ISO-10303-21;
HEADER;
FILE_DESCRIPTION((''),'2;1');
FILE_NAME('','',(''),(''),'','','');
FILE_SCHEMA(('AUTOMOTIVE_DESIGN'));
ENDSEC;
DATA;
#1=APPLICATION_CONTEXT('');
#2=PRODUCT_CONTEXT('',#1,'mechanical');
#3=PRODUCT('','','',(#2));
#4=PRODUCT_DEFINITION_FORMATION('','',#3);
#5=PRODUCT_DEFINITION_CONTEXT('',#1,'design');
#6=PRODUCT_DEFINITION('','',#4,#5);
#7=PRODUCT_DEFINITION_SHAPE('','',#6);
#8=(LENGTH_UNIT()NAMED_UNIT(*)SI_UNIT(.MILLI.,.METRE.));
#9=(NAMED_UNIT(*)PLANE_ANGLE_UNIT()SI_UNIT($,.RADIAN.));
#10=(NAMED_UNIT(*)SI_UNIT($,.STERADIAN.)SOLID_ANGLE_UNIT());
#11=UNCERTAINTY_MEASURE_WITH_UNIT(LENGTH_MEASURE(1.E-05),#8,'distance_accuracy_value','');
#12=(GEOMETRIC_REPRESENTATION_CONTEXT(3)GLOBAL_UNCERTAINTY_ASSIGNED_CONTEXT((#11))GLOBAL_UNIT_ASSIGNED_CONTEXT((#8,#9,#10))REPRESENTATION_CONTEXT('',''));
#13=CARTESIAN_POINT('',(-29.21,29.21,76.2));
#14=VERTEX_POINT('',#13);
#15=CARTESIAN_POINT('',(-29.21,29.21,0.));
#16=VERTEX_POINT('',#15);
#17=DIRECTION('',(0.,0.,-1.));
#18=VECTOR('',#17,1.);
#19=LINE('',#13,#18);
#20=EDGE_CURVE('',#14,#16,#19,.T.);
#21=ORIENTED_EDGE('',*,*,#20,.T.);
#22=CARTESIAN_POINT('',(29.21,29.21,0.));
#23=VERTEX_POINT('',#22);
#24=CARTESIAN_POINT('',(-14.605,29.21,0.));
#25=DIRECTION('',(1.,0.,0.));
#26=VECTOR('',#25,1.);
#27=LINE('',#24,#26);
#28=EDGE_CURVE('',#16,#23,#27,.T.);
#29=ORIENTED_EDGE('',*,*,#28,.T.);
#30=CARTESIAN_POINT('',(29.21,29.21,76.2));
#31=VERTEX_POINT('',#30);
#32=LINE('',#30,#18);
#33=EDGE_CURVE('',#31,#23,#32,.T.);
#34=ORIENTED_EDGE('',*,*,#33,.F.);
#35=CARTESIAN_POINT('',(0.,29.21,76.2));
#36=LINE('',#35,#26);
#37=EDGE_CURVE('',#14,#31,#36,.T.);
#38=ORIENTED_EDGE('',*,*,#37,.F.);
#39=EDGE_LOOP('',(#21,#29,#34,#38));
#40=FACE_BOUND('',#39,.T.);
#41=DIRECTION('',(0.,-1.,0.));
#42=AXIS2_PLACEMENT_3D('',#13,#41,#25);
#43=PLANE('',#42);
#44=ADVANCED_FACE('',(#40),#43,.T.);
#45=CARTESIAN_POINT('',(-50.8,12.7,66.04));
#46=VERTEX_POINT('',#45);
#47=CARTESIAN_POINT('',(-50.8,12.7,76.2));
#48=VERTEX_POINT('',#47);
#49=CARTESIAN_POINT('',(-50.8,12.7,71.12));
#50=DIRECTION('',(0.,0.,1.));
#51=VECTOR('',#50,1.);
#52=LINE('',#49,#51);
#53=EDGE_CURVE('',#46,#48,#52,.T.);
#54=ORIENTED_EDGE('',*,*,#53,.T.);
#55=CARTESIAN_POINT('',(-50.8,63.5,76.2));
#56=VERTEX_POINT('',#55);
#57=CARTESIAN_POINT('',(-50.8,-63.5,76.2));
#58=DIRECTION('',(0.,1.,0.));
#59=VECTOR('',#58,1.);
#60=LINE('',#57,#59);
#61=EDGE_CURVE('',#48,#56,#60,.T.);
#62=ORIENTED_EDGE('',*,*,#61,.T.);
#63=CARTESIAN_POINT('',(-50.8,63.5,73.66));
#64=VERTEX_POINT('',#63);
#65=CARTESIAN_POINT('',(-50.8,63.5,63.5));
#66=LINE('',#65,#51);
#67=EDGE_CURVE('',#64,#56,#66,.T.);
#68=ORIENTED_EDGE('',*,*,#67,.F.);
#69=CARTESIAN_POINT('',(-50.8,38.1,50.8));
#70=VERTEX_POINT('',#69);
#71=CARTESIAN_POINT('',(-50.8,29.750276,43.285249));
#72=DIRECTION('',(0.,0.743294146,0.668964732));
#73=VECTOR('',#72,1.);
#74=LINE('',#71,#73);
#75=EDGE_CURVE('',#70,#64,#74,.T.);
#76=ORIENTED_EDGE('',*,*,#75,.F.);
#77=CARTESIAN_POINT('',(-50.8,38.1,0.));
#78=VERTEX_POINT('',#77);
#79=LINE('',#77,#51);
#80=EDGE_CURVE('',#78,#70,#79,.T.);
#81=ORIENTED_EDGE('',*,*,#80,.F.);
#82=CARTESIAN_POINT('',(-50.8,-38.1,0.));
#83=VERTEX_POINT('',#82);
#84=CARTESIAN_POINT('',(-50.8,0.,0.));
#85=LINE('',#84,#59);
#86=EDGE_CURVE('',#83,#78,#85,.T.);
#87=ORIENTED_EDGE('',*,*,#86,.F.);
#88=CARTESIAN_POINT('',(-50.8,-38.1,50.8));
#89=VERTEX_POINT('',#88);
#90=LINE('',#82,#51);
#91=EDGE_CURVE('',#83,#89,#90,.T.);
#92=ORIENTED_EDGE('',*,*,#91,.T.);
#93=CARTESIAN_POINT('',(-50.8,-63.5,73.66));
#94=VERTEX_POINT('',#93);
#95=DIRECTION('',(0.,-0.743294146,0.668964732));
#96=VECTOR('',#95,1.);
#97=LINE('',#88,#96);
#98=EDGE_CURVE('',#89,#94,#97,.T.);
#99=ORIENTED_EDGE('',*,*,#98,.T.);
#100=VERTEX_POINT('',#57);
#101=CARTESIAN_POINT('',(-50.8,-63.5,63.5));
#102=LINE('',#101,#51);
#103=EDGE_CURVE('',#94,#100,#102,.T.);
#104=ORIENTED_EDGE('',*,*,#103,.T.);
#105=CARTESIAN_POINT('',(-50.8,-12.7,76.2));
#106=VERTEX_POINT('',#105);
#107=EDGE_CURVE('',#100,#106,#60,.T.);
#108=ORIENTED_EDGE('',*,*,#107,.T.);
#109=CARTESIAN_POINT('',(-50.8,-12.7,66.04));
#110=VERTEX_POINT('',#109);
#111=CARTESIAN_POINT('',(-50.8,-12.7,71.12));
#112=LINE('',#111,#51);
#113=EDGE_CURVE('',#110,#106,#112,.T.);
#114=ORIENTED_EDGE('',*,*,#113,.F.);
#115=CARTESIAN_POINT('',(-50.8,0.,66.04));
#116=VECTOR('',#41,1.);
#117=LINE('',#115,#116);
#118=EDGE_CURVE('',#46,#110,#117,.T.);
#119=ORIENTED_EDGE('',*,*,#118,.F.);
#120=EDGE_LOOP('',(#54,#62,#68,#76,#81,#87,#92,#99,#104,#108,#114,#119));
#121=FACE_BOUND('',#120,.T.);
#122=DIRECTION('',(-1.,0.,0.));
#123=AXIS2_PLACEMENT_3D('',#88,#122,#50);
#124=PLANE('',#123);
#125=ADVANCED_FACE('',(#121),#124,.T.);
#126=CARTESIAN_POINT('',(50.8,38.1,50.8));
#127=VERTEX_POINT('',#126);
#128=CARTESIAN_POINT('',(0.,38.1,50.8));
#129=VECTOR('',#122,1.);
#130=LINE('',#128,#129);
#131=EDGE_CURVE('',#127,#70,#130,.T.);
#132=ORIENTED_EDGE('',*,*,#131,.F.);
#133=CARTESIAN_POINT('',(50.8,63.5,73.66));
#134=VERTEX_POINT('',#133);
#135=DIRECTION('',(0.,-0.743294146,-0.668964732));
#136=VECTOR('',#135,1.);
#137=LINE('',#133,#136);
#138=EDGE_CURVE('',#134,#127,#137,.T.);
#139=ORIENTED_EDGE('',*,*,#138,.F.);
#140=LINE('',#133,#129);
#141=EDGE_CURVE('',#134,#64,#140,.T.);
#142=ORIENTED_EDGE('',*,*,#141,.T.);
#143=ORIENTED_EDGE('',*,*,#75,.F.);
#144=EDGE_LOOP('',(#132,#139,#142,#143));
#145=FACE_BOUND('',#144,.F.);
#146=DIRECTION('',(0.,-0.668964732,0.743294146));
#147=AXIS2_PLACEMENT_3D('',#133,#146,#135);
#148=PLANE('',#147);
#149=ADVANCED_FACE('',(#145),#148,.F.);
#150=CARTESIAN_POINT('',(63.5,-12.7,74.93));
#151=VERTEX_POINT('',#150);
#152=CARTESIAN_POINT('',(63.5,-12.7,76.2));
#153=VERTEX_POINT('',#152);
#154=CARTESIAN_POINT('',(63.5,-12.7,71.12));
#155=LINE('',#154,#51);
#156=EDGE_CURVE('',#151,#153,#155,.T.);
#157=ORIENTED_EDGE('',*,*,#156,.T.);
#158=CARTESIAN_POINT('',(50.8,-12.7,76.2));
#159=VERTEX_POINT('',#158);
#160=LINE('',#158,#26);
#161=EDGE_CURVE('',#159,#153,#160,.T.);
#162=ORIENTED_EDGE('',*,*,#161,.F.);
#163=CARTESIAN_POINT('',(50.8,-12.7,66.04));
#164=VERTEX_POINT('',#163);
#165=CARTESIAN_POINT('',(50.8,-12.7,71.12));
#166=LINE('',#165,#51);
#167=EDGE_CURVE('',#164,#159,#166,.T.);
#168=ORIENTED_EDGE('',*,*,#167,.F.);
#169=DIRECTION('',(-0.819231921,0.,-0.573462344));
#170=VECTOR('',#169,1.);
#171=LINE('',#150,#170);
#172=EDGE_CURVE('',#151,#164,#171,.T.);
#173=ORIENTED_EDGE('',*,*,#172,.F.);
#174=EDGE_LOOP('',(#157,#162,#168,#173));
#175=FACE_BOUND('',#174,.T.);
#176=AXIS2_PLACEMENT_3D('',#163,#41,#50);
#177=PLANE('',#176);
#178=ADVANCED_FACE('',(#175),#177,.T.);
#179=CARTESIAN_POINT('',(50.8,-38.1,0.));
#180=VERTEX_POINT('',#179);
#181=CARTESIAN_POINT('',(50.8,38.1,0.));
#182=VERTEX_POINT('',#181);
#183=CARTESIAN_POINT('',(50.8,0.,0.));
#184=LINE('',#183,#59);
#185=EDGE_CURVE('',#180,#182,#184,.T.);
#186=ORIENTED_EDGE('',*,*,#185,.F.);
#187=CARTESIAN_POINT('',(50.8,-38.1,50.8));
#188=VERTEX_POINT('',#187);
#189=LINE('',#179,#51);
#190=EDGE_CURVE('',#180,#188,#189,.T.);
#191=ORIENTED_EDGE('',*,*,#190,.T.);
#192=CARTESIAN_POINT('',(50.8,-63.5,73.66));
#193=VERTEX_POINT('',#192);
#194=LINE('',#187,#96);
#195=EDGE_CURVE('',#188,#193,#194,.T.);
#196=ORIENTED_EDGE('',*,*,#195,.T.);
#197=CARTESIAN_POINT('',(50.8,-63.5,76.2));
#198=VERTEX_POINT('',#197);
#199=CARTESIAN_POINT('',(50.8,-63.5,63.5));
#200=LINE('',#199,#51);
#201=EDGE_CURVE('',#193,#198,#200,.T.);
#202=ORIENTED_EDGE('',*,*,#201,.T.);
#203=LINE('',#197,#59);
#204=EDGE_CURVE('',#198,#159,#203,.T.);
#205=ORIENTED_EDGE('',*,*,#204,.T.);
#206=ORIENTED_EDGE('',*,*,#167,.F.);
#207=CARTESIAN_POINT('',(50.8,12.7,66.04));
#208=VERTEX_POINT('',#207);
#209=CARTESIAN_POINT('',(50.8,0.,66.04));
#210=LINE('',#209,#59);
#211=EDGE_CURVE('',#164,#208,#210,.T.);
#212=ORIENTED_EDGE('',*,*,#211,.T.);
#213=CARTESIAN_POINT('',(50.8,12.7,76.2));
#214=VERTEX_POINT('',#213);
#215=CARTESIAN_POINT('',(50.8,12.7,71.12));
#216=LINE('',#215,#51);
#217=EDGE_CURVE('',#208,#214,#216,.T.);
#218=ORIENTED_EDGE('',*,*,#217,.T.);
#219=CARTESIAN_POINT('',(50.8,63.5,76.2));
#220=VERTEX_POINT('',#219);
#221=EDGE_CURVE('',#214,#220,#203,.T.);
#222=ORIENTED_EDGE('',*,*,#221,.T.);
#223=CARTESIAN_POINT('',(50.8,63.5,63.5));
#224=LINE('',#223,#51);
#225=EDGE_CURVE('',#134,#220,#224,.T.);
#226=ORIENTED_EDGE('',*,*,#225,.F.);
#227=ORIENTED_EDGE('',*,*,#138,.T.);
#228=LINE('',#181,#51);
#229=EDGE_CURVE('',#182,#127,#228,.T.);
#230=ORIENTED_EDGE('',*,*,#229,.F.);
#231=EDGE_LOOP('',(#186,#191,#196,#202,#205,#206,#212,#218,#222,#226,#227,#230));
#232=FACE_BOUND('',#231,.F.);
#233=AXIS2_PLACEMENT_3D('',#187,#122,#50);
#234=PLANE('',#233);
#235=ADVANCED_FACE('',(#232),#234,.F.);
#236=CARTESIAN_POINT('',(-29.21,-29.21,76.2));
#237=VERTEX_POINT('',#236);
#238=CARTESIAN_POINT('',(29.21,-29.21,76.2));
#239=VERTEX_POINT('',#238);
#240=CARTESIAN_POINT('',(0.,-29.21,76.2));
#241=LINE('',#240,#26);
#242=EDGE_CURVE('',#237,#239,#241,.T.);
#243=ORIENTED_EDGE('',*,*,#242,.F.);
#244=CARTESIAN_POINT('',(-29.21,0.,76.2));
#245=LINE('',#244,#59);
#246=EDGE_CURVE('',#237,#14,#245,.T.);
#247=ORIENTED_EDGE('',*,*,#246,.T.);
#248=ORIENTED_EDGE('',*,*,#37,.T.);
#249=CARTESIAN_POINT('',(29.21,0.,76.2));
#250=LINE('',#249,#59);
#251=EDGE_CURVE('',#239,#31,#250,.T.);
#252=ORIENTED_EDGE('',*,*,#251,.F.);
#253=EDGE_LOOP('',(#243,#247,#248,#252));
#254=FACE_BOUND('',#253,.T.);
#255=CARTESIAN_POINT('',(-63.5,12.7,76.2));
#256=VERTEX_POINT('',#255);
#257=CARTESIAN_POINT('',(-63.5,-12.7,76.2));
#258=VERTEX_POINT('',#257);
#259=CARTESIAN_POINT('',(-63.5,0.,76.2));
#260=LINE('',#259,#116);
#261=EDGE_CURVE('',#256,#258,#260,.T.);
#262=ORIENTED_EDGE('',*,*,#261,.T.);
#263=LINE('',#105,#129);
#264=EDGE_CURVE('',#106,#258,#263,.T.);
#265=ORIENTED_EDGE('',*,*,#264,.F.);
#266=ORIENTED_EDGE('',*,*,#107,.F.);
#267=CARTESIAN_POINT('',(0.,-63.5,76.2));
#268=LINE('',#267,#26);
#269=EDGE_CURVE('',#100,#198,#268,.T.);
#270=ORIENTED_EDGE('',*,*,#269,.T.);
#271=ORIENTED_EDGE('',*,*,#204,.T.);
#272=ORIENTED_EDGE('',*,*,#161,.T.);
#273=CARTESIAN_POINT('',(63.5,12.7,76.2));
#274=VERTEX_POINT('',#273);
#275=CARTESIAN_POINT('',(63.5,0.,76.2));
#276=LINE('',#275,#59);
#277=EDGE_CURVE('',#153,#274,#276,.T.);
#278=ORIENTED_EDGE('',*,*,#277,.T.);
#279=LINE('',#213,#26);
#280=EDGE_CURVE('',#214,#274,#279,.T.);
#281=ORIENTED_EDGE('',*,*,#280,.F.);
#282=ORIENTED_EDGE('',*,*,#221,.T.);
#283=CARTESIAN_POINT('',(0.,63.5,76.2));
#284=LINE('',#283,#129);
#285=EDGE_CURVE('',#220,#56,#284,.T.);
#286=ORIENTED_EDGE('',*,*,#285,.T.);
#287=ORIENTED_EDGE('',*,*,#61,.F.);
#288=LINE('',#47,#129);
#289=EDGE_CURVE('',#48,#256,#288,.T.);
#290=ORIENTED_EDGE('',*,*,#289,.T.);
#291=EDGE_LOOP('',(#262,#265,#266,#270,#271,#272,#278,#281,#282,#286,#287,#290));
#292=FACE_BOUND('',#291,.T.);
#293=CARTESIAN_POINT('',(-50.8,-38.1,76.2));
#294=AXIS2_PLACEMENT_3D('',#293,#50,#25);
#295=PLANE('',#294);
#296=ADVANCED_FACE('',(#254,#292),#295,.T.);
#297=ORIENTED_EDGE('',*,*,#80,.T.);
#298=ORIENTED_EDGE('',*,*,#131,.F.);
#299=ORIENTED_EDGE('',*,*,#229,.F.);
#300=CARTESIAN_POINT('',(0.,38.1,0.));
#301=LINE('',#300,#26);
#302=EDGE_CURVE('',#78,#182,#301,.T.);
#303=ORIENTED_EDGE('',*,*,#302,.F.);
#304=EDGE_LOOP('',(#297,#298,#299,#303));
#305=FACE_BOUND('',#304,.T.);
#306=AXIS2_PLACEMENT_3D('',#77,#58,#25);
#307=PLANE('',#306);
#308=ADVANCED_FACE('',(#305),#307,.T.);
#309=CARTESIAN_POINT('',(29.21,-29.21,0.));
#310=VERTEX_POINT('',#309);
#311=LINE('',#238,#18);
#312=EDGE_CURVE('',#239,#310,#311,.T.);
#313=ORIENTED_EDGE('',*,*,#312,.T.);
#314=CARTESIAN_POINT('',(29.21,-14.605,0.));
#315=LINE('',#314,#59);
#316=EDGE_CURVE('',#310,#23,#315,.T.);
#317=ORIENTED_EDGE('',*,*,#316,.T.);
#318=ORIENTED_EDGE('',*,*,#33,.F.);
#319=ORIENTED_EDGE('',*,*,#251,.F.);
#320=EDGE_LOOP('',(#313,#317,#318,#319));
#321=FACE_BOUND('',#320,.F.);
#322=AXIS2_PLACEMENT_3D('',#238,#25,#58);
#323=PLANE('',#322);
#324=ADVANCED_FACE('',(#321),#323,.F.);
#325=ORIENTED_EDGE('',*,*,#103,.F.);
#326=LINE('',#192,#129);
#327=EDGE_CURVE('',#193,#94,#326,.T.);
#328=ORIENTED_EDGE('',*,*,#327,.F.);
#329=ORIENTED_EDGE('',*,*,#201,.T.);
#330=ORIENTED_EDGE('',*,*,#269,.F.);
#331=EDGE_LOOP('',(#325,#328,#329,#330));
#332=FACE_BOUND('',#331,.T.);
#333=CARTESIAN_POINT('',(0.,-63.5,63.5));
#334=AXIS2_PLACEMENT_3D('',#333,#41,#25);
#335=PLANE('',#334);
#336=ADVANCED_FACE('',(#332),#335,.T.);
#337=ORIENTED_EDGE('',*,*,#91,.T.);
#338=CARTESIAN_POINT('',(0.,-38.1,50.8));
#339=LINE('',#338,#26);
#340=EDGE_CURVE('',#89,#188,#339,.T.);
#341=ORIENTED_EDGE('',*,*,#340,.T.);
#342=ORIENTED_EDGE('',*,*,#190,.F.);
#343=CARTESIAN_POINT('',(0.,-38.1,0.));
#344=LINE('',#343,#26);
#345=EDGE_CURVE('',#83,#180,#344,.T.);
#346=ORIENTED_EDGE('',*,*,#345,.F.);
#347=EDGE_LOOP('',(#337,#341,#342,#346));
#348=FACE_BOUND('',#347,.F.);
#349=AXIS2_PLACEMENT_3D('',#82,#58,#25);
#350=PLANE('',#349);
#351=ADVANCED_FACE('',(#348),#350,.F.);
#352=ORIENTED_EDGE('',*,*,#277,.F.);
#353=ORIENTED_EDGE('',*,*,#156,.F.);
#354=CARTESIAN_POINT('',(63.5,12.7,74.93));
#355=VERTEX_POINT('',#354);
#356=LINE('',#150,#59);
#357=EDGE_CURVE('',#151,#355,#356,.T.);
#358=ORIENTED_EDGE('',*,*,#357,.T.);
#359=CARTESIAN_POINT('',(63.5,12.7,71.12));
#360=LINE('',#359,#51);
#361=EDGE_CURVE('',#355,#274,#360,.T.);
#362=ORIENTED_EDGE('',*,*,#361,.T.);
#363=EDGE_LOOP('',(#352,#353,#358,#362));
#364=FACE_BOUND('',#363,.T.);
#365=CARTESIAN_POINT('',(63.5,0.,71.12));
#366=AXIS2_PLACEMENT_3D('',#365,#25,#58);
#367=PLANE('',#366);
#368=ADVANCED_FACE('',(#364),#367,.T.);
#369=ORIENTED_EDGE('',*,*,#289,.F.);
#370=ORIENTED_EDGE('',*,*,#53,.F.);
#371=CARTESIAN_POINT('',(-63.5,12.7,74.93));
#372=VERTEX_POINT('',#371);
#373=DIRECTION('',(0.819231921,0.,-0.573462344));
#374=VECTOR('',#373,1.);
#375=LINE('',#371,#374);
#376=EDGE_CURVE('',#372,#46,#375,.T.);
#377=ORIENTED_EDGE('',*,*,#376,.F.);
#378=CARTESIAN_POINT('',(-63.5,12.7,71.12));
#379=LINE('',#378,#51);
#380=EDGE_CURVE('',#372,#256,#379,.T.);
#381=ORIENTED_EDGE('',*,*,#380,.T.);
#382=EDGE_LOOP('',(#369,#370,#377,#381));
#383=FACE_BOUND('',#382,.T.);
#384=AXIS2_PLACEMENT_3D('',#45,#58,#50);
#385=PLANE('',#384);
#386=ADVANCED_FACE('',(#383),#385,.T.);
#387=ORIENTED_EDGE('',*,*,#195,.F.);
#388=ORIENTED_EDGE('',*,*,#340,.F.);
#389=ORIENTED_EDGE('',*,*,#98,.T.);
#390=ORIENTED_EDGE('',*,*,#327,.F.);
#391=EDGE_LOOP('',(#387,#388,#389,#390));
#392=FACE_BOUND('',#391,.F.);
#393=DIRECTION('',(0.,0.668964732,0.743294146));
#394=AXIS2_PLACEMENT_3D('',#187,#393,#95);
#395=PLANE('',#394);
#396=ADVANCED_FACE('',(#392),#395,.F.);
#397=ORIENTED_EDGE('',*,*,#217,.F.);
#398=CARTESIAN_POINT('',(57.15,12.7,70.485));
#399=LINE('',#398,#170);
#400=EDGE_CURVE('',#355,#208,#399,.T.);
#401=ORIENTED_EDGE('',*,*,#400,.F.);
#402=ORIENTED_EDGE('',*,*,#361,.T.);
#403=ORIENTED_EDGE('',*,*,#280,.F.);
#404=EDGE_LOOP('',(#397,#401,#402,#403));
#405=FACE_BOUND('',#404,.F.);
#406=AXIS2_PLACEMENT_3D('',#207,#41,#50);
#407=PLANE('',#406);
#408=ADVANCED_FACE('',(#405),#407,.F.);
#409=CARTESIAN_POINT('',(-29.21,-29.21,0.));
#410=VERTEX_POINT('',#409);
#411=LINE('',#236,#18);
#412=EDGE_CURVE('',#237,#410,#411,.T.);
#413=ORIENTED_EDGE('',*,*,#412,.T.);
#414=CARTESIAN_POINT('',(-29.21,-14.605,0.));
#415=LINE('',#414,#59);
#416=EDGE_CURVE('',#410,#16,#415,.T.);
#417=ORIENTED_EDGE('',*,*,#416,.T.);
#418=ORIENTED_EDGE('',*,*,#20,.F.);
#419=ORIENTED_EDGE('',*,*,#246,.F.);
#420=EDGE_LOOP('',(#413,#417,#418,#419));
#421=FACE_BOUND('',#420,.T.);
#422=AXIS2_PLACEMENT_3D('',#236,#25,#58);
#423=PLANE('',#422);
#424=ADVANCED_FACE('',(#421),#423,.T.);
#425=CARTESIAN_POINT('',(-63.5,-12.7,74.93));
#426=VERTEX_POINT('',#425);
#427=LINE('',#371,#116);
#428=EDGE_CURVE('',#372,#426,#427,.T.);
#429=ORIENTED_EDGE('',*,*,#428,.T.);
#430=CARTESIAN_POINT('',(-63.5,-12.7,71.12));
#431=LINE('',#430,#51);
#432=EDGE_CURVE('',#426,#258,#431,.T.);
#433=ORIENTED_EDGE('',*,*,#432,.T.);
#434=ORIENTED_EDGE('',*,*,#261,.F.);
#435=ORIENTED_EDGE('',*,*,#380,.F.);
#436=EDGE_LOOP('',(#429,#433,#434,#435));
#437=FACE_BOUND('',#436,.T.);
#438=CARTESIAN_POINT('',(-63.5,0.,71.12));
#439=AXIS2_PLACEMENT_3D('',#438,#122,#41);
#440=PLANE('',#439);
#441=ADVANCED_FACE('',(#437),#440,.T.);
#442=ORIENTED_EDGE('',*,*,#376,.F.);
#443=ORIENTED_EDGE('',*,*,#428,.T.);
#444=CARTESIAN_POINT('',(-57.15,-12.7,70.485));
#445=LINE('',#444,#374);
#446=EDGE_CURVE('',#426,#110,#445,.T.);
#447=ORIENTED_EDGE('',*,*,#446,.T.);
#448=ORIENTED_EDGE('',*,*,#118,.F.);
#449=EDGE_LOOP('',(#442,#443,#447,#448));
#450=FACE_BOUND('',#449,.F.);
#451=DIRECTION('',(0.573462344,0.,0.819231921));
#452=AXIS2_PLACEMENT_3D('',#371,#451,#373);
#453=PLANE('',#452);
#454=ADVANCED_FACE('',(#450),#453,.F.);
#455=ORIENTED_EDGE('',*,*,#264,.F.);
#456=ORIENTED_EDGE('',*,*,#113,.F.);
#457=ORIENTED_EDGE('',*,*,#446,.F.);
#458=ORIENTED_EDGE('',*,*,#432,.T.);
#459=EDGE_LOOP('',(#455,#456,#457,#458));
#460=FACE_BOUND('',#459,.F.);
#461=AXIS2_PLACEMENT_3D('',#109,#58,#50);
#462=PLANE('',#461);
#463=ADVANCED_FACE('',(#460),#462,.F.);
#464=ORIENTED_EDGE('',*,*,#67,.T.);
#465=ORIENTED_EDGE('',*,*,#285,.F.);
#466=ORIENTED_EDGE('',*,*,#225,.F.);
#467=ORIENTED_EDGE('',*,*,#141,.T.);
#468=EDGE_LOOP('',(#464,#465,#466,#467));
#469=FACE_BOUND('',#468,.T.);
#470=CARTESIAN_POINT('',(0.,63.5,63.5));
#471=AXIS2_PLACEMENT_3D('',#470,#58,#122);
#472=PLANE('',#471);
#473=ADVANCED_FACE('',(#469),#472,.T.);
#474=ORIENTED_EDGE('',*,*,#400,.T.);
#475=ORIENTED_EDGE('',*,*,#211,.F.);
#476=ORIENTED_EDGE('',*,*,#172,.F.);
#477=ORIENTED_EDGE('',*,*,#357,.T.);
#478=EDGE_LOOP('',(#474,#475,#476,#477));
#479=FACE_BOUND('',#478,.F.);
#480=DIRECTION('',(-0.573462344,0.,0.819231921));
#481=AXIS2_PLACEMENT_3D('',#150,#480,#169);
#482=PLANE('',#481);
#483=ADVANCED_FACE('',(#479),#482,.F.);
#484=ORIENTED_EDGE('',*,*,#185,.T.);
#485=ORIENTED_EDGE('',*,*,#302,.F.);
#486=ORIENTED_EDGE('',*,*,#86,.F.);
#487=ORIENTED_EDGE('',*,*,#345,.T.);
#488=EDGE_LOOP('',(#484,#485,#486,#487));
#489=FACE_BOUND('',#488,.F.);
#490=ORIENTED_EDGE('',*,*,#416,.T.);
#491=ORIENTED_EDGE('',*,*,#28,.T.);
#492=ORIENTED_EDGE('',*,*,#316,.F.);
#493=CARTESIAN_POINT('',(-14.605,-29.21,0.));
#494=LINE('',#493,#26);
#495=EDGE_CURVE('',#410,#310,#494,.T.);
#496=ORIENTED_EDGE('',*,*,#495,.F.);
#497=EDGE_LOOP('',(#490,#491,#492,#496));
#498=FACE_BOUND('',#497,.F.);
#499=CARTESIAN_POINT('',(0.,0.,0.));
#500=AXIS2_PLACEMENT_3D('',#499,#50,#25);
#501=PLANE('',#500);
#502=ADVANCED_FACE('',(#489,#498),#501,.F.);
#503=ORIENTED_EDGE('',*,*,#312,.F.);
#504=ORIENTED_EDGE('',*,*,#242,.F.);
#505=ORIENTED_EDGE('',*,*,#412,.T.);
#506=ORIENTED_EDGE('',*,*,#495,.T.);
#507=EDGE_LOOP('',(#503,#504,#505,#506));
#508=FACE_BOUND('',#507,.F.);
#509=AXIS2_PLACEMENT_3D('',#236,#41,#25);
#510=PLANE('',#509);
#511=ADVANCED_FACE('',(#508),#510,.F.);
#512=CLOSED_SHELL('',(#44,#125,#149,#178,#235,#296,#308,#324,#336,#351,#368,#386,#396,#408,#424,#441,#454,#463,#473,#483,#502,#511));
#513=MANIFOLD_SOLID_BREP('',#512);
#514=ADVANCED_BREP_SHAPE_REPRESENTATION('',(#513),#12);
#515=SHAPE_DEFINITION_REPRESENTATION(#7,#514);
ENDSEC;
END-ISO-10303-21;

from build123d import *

# Parameters (mm, degrees)
F0_W      = 101.6
F0_H      = 76.2
F1_DEPTH  = 76.2
F2_W      = 58.42
F2_H      = 58.42
F3_DEPTH  = 228.6
F4_W      = 101.6
F4_H      = 25.4
F5_DEPTH  = 25.4
F6_W      = 101.6
F6_H      = 25.4
F7_DEPTH  = 25.4
F9_DEPTH  = 228.6
F10_W     = 25.4
F10_H     = 10.16
F11_DEPTH = 12.7
F13_DEPTH = 228.6
F14_W     = 25.4
F14_H     = 10.16
F15_DEPTH = 12.7
F17_DEPTH = 228.6


with BuildPart() as f1:
    # F0 (on Top) → F1 (new body)
    with BuildSketch(Plane.XY):
        Rectangle(F0_W, F0_H)
    extrude(amount=F1_DEPTH)

    # F2 (on face) → F3 (cut)
    with BuildSketch(Plane.XY.offset(76.2)):
        Rectangle(F2_W, F2_H)
    extrude(amount=-F3_DEPTH, mode=Mode.SUBTRACT)

    # F4 (on face) → F5 (join)
    with BuildSketch(Plane(origin=(0, 38.1, 0), x_dir=(-1, 0, 0), z_dir=(0, 1, 0))):
        with Locations((0, 63.5)):
            Rectangle(F4_W, F4_H)
    extrude(amount=F5_DEPTH)

    # F6 (on face) → F7 (join)
    with BuildSketch(Plane.XZ.offset(38.1)):
        with Locations((0, 63.5)):
            Rectangle(F6_W, F6_H)
    extrude(amount=F7_DEPTH)

    # F8 (on face) → F9 (cut)
    with BuildSketch(Plane.YZ.offset(50.8)):
        Polygon((-38.1, 50.8), (-63.5, 73.66), (-63.5, 50.8), align=None)
        Polygon((63.5, 50.8), (63.5, 73.66), (38.1, 50.8), align=None)
    extrude(amount=-F9_DEPTH, mode=Mode.SUBTRACT)

    # F10 (on face) → F11 (join)
    with BuildSketch(Plane.YZ.offset(50.8)):
        with Locations((0, 71.12)):
            Rectangle(F10_W, F10_H)
    extrude(amount=F11_DEPTH)

    # F12 (on face) → F13 (cut)
    with BuildSketch(Plane.XZ.offset(12.7)):
        Polygon((63.5, 66.04), (63.5, 74.93), (50.8, 66.04), align=None)
    extrude(amount=-F13_DEPTH, mode=Mode.SUBTRACT)

    # F14 (on face) → F15 (join)
    with BuildSketch(Plane(origin=(-50.8, 0, 0), x_dir=(0, -1, 0), z_dir=(-1, 0, 0))):
        with Locations((0, 71.12)):
            Rectangle(F14_W, F14_H)
    extrude(amount=F15_DEPTH)

    # F16 (on face) → F17 (cut)
    with BuildSketch(Plane(origin=(0, 12.7, 0), x_dir=(-1, 0, 0), z_dir=(0, 1, 0))):
        Polygon((63.5, 66.04), (63.5, 74.93), (50.8, 66.04), align=None)
    extrude(amount=-F17_DEPTH, mode=Mode.SUBTRACT)


solid = f1.part
